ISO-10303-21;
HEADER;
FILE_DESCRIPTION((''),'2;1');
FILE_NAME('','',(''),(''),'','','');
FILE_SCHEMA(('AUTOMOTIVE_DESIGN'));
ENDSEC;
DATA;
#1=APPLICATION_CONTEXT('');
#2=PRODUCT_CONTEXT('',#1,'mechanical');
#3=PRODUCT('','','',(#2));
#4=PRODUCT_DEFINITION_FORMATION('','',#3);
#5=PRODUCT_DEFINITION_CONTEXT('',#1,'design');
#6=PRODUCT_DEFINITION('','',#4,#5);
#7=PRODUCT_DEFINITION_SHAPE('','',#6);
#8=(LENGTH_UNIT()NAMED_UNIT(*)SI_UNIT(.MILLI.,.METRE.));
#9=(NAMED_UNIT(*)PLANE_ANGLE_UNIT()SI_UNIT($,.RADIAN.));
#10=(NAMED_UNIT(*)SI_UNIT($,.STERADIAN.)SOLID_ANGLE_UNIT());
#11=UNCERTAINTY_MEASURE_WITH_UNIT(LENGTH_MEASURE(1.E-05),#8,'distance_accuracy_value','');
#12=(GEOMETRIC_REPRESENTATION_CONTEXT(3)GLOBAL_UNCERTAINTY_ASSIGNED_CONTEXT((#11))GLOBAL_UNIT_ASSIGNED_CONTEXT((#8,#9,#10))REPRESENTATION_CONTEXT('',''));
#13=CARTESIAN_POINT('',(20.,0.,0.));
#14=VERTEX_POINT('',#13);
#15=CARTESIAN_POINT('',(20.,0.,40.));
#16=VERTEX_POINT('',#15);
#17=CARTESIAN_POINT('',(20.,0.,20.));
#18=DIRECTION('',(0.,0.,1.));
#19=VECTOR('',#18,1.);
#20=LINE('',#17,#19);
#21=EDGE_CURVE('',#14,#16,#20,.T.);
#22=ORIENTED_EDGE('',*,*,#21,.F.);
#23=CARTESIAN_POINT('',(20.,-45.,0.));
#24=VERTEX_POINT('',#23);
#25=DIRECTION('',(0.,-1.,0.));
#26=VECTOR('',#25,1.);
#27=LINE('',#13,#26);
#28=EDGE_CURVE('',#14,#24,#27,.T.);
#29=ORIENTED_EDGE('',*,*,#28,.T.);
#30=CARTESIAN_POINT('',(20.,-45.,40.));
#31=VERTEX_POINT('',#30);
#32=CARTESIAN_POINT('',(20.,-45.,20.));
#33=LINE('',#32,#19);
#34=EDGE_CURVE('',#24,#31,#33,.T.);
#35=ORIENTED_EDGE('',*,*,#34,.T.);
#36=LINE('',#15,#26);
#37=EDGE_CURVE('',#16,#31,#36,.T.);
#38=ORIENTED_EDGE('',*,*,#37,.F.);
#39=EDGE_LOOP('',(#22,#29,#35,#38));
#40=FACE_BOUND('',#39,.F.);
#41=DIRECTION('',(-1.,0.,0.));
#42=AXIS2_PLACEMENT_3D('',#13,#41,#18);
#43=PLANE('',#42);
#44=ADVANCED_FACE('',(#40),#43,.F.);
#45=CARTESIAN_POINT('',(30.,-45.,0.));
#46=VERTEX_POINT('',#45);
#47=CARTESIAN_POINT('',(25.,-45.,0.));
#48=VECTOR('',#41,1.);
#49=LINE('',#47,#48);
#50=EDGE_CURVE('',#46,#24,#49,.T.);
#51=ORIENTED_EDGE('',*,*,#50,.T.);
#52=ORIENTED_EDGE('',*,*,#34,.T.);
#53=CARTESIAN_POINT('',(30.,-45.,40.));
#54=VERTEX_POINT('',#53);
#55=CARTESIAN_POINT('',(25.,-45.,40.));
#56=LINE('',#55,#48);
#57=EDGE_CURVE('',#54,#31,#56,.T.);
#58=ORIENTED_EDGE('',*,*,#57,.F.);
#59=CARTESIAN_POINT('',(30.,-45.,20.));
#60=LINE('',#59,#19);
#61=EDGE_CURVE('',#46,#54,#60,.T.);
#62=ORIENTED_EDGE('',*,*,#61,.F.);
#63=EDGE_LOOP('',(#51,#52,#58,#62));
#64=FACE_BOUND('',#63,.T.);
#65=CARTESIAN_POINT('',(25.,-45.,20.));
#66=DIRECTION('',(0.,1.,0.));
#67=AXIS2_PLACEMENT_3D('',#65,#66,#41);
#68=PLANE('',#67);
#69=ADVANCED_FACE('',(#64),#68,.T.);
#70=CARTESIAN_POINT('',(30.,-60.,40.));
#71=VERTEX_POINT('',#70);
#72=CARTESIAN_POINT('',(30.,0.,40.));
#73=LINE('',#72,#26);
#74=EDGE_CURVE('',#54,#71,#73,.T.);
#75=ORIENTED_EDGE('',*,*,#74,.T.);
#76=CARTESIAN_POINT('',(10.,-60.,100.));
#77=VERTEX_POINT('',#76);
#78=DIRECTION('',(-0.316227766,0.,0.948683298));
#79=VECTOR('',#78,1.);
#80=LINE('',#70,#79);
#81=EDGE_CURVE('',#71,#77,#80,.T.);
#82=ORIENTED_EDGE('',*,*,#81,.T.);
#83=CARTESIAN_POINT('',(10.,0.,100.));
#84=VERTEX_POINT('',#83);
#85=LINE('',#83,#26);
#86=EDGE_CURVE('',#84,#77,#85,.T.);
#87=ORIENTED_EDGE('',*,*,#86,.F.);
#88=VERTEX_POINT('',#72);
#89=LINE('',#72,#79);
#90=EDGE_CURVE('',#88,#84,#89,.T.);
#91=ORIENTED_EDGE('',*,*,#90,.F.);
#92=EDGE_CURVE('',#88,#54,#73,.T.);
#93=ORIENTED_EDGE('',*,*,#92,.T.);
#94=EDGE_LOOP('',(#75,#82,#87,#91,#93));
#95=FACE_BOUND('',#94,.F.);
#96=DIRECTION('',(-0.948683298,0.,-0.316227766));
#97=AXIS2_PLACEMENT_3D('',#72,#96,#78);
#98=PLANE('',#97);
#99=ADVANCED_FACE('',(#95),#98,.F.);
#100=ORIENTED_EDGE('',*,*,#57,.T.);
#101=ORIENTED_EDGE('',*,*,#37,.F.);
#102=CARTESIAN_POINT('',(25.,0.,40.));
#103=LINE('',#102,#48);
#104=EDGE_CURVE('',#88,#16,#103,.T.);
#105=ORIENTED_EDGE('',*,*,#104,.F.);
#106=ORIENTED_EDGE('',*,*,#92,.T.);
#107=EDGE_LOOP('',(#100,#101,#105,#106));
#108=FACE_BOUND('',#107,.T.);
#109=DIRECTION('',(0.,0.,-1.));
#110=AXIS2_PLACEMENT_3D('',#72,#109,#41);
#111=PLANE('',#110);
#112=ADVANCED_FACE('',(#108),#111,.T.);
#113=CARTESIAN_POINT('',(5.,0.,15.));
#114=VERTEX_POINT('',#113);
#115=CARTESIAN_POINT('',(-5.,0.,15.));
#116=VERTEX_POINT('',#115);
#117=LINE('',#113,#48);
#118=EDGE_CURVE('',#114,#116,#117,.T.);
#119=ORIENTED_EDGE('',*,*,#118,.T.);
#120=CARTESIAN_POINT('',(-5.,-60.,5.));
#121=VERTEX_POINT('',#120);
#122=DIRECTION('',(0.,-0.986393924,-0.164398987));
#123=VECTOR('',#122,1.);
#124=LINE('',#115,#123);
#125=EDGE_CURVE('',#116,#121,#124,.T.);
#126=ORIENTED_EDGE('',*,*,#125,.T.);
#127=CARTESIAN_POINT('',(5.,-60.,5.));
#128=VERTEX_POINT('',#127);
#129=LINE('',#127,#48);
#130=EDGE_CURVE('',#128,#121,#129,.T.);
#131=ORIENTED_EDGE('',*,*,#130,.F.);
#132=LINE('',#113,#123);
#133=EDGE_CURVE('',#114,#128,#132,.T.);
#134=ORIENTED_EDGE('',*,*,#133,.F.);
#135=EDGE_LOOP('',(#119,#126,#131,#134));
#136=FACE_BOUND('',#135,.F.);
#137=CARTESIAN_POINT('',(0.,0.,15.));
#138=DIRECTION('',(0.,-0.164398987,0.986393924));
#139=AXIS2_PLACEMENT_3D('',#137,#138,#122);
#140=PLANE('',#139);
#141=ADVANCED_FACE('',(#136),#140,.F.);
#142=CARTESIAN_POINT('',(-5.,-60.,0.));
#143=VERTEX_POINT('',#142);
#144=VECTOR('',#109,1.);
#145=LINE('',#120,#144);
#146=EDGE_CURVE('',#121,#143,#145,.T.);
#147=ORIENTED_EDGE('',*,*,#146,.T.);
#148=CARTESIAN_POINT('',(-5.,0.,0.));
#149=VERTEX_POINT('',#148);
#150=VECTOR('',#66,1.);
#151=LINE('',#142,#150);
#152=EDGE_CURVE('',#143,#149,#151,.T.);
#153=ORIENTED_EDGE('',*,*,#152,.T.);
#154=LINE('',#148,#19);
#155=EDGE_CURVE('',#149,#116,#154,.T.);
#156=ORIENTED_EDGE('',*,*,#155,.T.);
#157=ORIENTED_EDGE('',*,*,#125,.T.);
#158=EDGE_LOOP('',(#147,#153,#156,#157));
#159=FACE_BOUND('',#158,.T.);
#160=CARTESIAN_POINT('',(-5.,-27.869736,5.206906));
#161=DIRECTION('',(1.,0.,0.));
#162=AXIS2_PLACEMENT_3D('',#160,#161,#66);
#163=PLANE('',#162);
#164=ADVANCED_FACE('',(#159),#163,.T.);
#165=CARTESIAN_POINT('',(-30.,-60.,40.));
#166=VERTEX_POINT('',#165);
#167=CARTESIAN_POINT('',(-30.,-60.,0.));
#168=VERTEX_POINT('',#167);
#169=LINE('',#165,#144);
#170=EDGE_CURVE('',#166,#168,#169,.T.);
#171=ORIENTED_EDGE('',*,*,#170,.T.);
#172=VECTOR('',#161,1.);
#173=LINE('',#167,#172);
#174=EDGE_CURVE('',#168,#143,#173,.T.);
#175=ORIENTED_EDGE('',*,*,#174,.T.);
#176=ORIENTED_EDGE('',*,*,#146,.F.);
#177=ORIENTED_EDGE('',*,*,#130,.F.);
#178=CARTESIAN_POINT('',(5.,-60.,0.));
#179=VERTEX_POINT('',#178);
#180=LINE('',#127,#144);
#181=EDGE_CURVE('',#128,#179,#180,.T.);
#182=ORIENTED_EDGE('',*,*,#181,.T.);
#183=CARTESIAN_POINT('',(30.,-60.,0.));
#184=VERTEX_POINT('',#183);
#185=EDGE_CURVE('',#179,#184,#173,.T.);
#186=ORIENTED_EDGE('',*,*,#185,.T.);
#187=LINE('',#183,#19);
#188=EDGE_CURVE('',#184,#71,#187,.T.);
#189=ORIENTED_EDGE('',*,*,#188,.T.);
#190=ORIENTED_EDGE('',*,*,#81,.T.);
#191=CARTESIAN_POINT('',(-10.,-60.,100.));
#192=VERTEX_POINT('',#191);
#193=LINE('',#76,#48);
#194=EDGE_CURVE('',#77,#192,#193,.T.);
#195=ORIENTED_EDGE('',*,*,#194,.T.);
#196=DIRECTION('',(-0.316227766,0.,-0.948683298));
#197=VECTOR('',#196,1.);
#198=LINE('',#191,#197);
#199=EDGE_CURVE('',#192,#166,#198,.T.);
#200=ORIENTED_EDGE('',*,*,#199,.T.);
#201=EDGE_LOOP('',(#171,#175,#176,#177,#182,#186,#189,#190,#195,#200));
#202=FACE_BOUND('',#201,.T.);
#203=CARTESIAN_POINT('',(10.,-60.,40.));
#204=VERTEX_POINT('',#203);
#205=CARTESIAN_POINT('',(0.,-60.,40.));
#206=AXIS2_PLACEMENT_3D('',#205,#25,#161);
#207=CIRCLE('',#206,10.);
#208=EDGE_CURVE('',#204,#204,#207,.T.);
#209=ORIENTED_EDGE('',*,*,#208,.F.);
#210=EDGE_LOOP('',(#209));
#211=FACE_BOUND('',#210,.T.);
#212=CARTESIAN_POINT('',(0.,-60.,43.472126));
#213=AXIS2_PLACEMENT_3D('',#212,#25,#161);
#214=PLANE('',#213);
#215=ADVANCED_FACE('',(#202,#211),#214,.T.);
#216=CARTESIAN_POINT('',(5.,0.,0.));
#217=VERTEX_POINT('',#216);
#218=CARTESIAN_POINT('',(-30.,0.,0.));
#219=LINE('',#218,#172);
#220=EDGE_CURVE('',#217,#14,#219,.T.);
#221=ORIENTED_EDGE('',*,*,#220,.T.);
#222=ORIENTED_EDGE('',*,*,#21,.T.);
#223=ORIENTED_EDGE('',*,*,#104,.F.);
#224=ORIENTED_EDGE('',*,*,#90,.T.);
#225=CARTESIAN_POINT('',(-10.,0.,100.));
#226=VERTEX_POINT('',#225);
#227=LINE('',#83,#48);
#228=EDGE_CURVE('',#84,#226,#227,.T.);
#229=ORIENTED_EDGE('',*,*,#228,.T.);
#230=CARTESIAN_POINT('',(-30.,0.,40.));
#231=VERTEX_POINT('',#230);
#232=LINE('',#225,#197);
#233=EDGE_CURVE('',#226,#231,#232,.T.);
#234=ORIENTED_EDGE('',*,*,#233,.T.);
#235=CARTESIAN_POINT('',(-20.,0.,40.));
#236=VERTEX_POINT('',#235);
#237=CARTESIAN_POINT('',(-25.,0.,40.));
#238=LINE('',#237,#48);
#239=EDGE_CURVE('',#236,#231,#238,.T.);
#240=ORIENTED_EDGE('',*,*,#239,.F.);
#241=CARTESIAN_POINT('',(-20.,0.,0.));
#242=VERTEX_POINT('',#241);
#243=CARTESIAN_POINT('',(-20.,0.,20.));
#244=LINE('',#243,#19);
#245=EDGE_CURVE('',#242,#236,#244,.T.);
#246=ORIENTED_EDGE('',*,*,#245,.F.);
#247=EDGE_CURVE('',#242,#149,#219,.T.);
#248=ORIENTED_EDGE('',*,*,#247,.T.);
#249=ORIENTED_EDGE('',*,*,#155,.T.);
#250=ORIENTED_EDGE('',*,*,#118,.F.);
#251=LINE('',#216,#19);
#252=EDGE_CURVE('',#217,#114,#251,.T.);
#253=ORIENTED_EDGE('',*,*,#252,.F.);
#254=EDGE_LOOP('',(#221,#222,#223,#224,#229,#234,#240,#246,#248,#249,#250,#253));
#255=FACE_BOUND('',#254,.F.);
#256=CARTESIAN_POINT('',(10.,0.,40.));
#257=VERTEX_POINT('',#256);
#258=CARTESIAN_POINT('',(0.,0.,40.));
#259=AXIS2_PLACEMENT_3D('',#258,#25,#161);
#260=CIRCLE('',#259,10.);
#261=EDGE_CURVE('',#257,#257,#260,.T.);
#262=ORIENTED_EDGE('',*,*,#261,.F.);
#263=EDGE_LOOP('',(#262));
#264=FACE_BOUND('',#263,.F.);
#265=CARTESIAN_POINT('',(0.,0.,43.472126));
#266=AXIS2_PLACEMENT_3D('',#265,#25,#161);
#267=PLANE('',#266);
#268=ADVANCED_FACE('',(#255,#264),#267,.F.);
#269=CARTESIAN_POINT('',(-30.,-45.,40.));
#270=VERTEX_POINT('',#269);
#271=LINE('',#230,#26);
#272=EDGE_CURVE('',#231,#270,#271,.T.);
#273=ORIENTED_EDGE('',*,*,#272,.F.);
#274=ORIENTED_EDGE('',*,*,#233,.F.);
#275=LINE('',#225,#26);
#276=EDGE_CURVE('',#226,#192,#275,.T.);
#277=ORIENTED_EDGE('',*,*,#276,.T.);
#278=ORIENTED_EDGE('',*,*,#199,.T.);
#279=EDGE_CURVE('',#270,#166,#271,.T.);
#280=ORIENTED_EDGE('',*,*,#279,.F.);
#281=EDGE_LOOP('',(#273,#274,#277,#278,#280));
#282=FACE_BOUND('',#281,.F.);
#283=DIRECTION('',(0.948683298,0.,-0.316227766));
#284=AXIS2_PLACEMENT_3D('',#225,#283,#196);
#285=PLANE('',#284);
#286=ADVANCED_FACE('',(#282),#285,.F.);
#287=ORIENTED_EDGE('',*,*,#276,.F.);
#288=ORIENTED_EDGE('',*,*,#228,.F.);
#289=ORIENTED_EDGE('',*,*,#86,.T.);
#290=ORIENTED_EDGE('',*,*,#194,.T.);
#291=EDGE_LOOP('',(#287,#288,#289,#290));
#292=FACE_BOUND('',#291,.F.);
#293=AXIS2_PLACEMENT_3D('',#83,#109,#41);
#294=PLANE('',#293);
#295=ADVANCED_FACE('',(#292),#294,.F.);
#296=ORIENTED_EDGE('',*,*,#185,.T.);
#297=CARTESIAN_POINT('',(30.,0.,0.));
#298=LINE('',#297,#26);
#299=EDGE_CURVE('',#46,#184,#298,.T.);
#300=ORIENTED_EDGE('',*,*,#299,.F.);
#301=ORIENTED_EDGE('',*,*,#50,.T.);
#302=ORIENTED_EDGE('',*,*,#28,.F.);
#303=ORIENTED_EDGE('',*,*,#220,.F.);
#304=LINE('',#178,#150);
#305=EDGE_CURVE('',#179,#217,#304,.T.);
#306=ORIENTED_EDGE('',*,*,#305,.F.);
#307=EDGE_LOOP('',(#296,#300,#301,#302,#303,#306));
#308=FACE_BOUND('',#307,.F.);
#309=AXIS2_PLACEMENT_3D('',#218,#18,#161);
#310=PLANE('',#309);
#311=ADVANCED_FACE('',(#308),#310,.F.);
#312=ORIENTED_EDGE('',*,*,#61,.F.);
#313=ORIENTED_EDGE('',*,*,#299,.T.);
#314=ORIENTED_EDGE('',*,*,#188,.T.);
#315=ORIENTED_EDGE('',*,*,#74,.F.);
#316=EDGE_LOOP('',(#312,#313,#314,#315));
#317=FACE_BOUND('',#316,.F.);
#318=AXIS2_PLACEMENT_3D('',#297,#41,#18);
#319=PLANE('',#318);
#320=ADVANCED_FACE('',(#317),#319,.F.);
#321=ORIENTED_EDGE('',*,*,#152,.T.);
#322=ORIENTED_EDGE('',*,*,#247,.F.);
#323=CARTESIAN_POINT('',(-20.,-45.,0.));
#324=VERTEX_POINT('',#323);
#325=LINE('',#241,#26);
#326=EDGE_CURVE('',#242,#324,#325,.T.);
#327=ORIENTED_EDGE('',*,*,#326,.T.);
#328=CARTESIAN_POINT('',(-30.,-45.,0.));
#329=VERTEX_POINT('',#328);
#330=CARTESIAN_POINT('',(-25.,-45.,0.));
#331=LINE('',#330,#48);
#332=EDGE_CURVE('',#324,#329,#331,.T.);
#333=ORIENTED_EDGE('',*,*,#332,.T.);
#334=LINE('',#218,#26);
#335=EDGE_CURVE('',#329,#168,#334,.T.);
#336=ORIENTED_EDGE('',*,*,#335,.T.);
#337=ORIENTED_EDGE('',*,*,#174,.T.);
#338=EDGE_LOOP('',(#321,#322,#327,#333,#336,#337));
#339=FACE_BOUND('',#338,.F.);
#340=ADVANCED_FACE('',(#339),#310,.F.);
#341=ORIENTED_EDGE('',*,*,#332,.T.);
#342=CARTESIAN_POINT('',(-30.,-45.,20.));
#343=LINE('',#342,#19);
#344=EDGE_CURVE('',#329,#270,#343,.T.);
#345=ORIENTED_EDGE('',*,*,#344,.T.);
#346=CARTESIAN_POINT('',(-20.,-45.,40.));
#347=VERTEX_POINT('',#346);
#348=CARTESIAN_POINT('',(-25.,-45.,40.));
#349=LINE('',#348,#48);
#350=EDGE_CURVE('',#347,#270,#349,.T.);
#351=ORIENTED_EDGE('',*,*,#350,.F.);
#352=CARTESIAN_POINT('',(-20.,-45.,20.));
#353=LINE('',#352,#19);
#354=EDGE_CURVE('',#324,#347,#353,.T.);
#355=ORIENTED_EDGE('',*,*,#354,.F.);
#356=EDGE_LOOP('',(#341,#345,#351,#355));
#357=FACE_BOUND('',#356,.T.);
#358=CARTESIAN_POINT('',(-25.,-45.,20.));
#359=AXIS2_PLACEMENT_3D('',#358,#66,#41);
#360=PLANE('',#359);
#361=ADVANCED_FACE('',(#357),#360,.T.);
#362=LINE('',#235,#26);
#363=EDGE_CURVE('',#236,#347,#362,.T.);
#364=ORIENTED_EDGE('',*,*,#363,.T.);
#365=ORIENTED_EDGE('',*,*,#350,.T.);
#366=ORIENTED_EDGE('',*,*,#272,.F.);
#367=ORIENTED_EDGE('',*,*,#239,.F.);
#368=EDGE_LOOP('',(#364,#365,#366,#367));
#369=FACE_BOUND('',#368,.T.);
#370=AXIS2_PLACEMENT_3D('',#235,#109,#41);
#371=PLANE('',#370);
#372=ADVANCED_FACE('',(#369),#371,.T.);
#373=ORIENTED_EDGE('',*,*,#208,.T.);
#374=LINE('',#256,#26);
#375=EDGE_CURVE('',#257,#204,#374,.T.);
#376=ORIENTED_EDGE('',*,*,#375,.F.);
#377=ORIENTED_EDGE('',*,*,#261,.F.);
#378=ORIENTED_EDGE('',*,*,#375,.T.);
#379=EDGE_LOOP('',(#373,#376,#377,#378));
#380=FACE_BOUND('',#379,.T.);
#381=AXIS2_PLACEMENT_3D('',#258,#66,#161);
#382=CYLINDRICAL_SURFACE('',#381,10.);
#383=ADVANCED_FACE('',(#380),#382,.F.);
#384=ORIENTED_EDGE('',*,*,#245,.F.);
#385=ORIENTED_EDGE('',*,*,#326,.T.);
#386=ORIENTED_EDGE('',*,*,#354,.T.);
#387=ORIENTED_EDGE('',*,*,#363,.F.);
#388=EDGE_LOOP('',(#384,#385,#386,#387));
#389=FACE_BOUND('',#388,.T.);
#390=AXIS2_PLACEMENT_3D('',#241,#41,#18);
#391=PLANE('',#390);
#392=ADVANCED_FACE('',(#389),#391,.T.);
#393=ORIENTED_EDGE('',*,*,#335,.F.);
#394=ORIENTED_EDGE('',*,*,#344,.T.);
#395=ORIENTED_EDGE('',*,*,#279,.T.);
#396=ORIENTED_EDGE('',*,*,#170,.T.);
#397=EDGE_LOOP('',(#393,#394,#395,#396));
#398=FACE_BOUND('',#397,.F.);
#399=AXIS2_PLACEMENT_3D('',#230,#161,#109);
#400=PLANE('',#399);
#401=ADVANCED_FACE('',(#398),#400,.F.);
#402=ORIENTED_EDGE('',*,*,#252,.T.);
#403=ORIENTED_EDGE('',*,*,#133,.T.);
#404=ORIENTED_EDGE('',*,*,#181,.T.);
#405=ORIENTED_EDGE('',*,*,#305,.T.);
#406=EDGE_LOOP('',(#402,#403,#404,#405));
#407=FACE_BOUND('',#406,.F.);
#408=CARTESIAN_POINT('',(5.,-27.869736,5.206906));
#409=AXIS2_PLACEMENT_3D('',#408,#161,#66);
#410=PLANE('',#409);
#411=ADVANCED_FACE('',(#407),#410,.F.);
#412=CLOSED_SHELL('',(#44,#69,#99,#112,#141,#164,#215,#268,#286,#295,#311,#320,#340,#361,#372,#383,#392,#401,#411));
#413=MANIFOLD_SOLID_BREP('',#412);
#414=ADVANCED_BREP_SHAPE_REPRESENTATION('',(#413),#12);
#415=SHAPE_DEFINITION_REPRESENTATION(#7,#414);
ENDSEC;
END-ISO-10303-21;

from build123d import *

# Parameters (mm, degrees)
F0_R     = 10
F1_DEPTH = 60
F2_W     = 10
F2_H     = 40
F3_DEPTH = 45
F5_DEPTH = 5


with BuildPart() as f1:
    # F0 (on Front) → F1 (new body)
    with BuildSketch(Plane.XZ):
        Polygon((-30, 40), (-30, 0), (30, 0), (30, 40), (10, 100), (-10, 100), align=None)
        with Locations((0, 40)):
            Circle(F0_R, mode=Mode.SUBTRACT)
    extrude(amount=F1_DEPTH)

    # F2 (on face) → F3 (cut)
    with BuildSketch(Plane(origin=(0, 0, 0), x_dir=(-1, 0, 0), z_dir=(0, 1, 0))):
        with Locations((25, 20)):
            Rectangle(F2_W, F2_H)
        with Locations((-25, 20)):
            Rectangle(F2_W, F2_H)
    extrude(amount=-F3_DEPTH, mode=Mode.SUBTRACT)

    # F4 (on Right) → F5 (cut, symmetric)
    with BuildSketch(Plane.YZ):
        Polygon((-60, 5), (-60, 0), (-45, 0), (0, 0), (0, 15), align=None)
    extrude(amount=F5_DEPTH, both=True, mode=Mode.SUBTRACT)


solid = f1.part
